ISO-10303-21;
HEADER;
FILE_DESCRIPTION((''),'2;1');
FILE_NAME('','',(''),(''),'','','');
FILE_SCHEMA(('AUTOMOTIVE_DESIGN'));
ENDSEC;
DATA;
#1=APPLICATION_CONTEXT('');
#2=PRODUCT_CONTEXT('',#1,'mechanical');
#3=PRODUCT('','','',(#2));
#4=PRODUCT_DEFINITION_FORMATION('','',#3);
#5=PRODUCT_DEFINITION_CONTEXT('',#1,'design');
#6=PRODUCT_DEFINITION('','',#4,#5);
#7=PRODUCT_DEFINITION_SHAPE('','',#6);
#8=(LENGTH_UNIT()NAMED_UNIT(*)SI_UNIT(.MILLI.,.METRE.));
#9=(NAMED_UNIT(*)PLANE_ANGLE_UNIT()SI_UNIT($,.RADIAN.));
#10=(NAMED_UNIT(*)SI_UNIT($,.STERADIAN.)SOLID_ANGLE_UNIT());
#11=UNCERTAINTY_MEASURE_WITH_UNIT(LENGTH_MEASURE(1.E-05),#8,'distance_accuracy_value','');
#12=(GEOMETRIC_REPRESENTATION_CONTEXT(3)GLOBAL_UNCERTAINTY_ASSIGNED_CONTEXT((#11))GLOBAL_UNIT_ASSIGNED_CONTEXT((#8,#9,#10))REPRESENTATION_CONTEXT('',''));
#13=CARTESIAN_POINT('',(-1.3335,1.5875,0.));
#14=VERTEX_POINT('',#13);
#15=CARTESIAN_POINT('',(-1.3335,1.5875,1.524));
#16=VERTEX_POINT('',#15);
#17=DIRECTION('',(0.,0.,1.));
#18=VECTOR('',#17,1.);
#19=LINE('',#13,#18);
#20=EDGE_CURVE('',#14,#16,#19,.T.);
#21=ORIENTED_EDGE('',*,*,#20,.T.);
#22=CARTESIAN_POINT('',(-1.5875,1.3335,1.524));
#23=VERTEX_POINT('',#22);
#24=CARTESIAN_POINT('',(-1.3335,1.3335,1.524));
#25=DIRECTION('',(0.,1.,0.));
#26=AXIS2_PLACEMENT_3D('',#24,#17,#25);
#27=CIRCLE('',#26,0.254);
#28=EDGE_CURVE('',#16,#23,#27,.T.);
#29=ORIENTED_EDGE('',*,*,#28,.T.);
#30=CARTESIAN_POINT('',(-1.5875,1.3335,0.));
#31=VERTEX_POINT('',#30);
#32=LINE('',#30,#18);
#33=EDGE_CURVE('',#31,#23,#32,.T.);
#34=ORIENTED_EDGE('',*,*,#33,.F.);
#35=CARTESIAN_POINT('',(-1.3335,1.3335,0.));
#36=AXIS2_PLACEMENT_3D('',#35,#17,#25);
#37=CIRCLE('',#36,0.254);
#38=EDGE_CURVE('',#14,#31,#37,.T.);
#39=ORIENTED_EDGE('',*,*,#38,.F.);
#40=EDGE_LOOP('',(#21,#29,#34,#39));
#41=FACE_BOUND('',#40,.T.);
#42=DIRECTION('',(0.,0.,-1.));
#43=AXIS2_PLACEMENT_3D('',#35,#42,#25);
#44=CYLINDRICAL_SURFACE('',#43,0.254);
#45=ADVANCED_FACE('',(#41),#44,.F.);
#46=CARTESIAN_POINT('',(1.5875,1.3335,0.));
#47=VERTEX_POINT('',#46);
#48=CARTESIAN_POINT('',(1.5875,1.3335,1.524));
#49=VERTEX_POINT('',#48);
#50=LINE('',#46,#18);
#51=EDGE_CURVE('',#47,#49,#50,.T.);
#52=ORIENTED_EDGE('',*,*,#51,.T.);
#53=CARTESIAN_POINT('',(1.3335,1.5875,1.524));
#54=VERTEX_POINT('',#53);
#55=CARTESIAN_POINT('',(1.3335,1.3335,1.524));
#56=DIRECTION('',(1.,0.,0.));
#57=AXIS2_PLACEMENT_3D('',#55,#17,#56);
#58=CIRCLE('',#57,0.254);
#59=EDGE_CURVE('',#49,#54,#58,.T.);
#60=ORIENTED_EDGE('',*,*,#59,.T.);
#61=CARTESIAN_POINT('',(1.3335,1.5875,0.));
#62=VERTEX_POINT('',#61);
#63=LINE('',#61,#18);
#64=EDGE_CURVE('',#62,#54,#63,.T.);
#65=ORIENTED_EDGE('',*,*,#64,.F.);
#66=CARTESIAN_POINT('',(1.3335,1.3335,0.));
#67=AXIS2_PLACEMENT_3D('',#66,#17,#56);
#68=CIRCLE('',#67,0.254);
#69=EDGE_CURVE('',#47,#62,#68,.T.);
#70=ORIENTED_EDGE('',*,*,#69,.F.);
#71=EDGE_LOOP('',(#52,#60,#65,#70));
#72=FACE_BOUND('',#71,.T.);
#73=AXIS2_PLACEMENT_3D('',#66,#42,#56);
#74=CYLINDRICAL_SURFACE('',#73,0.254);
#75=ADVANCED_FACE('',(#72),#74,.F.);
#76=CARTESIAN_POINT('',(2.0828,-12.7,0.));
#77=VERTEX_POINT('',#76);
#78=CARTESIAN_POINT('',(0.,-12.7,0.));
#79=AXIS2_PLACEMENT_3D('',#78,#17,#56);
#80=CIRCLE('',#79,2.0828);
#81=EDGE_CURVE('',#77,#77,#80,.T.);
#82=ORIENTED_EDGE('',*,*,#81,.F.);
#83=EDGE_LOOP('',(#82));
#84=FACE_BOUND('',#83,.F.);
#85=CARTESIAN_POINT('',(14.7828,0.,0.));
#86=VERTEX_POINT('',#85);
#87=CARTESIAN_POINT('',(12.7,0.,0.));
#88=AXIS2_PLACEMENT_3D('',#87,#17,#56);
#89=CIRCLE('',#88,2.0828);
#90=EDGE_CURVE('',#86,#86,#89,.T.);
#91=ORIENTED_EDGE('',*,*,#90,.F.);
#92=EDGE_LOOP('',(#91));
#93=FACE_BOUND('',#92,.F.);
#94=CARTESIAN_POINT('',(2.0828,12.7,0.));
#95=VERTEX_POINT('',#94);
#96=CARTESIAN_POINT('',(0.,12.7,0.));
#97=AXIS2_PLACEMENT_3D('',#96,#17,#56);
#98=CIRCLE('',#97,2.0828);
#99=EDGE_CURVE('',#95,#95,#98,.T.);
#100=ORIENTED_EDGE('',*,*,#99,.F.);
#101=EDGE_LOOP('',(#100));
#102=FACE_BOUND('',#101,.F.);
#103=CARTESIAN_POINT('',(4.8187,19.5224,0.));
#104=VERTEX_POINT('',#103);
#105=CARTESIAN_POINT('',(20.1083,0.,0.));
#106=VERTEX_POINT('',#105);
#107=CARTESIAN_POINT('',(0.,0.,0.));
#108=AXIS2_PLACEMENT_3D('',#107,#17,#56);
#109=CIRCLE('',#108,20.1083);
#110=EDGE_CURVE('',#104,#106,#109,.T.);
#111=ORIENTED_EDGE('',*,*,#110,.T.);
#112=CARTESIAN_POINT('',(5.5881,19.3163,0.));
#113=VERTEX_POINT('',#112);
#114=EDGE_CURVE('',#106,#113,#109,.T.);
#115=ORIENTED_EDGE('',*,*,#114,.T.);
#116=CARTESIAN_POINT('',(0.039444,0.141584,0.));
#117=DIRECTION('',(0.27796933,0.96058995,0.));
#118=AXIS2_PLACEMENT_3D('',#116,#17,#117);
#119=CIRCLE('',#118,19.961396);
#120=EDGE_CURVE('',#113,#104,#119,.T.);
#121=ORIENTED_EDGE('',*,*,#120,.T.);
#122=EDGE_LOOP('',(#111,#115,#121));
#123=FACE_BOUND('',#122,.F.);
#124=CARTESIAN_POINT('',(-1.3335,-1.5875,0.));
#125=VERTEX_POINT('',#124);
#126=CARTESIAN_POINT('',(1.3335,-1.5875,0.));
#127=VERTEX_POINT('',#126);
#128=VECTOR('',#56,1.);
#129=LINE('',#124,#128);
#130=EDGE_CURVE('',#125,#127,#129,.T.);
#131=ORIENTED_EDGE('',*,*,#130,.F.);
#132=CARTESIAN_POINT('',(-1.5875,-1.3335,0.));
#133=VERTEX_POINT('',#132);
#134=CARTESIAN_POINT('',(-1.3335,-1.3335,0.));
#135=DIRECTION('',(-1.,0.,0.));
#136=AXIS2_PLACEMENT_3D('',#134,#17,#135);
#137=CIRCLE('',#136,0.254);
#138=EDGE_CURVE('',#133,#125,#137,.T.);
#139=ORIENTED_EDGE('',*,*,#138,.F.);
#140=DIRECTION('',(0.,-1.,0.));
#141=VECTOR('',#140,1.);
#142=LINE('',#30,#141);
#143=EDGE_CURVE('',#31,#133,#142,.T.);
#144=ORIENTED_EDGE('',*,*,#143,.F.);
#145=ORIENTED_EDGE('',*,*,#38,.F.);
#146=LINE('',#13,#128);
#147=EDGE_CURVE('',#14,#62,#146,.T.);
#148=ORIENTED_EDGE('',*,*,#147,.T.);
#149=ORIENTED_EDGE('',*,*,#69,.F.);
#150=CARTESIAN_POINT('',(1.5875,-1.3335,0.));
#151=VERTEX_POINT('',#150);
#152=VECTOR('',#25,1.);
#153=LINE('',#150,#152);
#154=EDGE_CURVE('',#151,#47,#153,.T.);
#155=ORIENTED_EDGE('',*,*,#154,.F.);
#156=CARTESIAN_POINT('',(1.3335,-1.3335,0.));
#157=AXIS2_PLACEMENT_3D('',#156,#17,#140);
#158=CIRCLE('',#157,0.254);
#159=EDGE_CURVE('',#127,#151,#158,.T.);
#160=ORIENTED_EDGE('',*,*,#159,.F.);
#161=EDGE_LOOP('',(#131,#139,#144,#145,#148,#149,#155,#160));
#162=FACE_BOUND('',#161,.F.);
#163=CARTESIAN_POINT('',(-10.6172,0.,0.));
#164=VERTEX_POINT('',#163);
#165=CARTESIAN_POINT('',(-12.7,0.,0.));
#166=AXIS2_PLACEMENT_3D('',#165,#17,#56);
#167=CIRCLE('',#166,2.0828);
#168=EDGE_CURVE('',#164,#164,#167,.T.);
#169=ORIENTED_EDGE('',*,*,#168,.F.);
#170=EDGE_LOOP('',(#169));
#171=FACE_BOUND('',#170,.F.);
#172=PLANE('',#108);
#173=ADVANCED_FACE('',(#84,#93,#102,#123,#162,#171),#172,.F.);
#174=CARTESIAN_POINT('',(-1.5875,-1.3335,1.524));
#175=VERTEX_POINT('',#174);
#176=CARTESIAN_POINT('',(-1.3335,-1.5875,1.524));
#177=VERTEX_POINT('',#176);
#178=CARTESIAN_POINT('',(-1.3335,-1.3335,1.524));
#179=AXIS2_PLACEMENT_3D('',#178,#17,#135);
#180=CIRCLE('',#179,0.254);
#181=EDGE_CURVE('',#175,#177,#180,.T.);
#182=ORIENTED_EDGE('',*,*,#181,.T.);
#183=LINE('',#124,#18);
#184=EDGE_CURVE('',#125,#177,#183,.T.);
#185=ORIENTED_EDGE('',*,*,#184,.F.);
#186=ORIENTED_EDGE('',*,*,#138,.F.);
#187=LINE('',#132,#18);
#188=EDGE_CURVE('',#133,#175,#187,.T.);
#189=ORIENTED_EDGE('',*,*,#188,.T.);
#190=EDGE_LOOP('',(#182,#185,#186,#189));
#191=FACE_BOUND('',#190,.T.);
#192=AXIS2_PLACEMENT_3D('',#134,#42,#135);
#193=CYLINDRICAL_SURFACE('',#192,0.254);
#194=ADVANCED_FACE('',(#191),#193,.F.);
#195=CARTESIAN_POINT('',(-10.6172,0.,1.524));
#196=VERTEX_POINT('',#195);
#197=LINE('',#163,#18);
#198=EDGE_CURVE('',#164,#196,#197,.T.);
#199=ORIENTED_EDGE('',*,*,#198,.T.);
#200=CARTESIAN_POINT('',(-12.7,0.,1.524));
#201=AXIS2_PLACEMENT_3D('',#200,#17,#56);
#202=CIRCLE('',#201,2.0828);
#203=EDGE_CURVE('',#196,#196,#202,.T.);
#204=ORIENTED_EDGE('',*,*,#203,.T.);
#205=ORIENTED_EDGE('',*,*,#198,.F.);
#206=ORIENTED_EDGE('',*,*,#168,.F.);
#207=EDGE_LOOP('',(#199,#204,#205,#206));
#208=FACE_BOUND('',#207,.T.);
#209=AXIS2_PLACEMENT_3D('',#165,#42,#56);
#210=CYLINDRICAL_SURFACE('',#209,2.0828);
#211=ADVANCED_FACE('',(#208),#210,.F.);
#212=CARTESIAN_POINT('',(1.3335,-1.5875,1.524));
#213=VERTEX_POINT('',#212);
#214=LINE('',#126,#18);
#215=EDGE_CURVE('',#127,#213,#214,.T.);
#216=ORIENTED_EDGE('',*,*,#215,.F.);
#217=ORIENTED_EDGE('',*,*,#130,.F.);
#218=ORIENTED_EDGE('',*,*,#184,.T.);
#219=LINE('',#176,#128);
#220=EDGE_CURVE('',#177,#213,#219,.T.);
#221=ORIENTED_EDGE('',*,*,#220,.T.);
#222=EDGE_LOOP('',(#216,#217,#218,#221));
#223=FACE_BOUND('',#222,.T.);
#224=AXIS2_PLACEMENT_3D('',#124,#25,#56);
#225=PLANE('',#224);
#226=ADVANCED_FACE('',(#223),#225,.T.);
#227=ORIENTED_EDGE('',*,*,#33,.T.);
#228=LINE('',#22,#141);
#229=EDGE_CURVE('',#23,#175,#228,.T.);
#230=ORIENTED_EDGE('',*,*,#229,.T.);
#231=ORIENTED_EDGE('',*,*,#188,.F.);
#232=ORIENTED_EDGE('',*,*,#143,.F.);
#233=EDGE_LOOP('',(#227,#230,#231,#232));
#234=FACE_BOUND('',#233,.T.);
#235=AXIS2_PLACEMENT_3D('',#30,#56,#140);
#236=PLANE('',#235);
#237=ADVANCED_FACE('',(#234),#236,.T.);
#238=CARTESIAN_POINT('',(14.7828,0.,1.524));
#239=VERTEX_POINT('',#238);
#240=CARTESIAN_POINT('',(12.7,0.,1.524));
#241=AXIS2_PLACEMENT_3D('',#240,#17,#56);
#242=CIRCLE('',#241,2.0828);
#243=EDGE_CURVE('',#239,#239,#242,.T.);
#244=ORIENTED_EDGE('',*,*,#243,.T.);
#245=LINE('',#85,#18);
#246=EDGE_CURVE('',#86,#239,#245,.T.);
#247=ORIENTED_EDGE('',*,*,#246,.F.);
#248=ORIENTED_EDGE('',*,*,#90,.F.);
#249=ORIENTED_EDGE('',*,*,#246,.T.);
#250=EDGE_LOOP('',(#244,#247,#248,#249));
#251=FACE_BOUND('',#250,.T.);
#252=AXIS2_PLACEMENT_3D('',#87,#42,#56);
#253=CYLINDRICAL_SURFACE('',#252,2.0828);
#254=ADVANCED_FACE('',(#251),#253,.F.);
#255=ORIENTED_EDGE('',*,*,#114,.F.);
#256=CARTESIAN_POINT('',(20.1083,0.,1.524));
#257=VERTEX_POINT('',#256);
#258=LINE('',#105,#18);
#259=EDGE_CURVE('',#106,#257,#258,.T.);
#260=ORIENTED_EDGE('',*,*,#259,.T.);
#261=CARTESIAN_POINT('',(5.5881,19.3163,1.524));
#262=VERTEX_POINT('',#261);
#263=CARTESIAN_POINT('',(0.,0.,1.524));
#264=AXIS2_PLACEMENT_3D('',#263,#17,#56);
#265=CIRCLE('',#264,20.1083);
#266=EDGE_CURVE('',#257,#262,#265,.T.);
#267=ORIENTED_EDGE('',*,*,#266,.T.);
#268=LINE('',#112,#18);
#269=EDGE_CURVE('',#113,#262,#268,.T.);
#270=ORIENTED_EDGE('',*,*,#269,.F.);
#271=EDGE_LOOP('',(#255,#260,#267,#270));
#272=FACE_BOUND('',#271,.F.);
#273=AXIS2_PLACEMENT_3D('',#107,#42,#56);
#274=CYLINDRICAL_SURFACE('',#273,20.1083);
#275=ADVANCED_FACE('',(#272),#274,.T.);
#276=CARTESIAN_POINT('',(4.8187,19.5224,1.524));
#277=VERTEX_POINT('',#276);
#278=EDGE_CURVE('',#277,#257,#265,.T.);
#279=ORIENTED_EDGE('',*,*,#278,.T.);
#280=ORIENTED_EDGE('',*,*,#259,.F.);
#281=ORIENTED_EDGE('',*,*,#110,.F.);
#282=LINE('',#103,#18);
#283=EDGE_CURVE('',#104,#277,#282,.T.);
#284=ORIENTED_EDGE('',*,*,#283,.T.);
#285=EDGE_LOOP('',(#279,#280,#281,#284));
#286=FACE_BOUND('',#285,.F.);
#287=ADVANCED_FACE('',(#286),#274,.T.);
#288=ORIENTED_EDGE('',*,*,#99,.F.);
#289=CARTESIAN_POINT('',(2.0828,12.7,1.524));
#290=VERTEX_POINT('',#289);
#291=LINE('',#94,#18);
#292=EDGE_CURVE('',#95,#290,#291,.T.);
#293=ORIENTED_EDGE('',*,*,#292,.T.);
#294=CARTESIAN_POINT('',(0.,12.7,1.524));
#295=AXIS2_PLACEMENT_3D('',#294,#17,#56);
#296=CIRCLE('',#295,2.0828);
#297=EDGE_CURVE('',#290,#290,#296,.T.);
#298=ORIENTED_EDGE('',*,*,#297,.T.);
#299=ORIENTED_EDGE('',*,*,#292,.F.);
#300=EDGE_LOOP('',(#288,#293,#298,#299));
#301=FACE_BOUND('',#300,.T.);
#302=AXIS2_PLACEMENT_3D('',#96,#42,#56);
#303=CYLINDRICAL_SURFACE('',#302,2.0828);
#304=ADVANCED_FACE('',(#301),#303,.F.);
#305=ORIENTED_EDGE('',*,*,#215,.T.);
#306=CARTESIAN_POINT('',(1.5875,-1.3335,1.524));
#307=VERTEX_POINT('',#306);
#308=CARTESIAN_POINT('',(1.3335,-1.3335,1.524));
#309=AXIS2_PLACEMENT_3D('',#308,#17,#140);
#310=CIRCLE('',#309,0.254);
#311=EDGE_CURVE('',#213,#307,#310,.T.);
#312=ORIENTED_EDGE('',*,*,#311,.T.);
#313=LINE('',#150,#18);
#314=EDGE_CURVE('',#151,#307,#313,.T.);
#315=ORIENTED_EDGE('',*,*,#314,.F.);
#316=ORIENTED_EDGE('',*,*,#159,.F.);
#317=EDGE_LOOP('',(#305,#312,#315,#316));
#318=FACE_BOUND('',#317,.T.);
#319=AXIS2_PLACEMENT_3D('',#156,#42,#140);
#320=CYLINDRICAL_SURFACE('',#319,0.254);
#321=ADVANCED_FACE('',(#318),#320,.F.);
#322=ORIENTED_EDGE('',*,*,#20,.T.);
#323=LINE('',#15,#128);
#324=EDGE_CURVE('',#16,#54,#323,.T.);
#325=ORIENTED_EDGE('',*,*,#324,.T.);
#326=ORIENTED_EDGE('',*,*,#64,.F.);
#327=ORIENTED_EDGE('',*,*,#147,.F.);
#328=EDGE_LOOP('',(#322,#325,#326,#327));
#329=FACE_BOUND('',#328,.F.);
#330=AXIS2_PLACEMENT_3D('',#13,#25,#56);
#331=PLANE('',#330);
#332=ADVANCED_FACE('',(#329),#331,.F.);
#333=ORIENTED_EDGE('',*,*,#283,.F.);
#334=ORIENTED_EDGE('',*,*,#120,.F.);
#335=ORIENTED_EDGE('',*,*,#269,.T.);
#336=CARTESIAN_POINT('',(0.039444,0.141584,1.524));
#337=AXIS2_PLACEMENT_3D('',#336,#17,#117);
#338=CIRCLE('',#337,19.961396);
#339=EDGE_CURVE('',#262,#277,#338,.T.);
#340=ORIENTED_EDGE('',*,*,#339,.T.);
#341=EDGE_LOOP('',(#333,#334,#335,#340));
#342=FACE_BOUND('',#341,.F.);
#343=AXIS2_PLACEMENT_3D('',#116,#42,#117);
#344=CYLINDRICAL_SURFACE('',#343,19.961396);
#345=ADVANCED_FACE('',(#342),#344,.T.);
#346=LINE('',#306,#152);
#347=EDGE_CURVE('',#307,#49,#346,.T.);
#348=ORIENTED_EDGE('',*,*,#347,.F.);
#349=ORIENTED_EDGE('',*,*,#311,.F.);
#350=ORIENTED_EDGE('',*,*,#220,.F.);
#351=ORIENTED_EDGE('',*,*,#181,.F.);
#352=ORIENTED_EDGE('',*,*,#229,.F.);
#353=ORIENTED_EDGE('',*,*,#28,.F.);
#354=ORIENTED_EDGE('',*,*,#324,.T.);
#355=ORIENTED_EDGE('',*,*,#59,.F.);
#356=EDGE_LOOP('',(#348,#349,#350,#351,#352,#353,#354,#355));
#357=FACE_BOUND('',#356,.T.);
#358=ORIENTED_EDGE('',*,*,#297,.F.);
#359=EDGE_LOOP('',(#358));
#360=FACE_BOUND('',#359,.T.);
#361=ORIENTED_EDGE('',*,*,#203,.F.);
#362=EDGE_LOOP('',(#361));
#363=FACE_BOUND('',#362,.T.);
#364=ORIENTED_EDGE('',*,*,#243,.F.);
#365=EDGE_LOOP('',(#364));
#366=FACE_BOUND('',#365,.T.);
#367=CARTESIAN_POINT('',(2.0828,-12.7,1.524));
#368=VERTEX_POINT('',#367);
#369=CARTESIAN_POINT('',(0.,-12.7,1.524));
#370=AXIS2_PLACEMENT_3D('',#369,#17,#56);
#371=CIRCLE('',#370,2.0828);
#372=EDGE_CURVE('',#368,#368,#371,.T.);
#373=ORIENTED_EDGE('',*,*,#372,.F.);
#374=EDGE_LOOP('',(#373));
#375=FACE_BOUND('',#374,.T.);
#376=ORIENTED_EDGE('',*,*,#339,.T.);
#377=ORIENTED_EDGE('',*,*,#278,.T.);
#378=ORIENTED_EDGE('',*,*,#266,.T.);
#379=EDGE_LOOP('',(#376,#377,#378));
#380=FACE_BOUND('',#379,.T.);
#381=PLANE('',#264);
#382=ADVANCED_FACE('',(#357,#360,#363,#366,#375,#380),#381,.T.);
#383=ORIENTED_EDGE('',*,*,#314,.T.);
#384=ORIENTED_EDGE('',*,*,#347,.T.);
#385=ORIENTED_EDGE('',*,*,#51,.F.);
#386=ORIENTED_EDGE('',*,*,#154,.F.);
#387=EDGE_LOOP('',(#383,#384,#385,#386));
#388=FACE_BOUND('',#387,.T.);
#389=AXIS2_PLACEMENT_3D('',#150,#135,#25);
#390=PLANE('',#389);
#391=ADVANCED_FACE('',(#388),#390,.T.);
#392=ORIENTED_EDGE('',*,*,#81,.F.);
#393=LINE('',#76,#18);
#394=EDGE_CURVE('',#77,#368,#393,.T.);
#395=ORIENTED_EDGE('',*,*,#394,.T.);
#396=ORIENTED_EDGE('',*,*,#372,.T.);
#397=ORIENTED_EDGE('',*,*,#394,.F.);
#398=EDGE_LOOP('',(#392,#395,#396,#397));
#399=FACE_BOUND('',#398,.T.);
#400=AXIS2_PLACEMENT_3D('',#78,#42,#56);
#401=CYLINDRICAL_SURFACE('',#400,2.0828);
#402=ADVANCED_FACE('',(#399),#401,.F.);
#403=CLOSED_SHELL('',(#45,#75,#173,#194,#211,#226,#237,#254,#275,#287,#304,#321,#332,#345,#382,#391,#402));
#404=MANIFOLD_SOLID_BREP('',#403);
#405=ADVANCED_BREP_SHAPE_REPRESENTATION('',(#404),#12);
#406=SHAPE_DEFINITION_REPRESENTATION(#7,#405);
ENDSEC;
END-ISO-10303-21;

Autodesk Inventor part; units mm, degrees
ref_plane "YZ Plane" through (0, 0, 0) normal (1, 0, 0) x (0, 1, 0)
ref_plane "XZ Plane" through (0, 0, 0) normal (0, 1, 0) x (-1, 0, 0)
ref_plane "XY Plane" through (0, 0, 0) normal (0, 0, 1) x (1, 0, 0)
sketch "Sketch1" plane through (0, 0, 0) normal (0, 0, 1) x (1, 0, 0)
  circle A0 centre (0, 12.7) radius 2.0828
  circle A1 centre (12.7, 0) radius 2.0828
  circle A2 centre (0, -12.7) radius 2.0828
  circle A3 centre (-12.7, 0) radius 2.0828
  arc A4 (5.5881, 19.3163) -> (4.8187, 19.5224) centre (0, 0) ccw projected
  circle A5 centre (0, 0) radius 20.1083
  line L0 (-1.5875, 1.3335) -> (-1.5875, -1.3335)
  line L1 (-1.3335, -1.5875) -> (1.3335, -1.5875)
  line L2 (1.5875, -1.3335) -> (1.5875, 1.3335)
  arc A6 (1.5875, 1.3335) -> (1.3335, 1.5875) centre (1.3335, 1.3335) ccw
  arc A7 (-1.3335, 1.5875) -> (-1.5875, 1.3335) centre (-1.3335, 1.3335) ccw
  arc A8 (-1.5875, -1.3335) -> (-1.3335, -1.5875) centre (-1.3335, -1.3335) ccw
  arc A9 (1.3335, -1.5875) -> (1.5875, -1.3335) centre (1.3335, -1.3335) ccw
  line L3 (-1.3335, 1.5875) -> (1.3335, 1.5875)
  point P0 (0, 0)
  point P1 (5.5881, 19.3163)
  point P2 (1.5875, 1.5875)
  point P3 (1.5875, 0)
  point P4 (0, -1.5875)
  point P5 (0, 1.5875)
  point P6 (4.8187, 19.5224)
  dimension "halfLength" = 1.5875
  dimension "d16" = 1.5875
  dimension "d17" = 1.5875
  dimension "d18" = 1.5875
  dimension "d20" = 0.254
  dimension "d21" = 2.667
  dimension "d22" = 2.667
  dimension "d23" = 40.2167
  dimension "d24" = 4.1656
  dimension "d25" = 4.1656
  dimension "d26" = 4.1656
  dimension "d27" = 4.1656
extrude "Extrusion3" add sketch "Sketch1" along normal blind 1.524
equation "\"d16\" = halfLength"
equation "\"d17\" = halfLength"
equation "\"d18\" = d17"
equation "\"d21\" = 2 * halfLength - 2 * d20"
equation "\"d22\" = d21"
equation "\"d25\" = d24"
equation "\"d26\" = d24"
equation "\"d27\" = d24"
properties part number "HS adapter retainer"
